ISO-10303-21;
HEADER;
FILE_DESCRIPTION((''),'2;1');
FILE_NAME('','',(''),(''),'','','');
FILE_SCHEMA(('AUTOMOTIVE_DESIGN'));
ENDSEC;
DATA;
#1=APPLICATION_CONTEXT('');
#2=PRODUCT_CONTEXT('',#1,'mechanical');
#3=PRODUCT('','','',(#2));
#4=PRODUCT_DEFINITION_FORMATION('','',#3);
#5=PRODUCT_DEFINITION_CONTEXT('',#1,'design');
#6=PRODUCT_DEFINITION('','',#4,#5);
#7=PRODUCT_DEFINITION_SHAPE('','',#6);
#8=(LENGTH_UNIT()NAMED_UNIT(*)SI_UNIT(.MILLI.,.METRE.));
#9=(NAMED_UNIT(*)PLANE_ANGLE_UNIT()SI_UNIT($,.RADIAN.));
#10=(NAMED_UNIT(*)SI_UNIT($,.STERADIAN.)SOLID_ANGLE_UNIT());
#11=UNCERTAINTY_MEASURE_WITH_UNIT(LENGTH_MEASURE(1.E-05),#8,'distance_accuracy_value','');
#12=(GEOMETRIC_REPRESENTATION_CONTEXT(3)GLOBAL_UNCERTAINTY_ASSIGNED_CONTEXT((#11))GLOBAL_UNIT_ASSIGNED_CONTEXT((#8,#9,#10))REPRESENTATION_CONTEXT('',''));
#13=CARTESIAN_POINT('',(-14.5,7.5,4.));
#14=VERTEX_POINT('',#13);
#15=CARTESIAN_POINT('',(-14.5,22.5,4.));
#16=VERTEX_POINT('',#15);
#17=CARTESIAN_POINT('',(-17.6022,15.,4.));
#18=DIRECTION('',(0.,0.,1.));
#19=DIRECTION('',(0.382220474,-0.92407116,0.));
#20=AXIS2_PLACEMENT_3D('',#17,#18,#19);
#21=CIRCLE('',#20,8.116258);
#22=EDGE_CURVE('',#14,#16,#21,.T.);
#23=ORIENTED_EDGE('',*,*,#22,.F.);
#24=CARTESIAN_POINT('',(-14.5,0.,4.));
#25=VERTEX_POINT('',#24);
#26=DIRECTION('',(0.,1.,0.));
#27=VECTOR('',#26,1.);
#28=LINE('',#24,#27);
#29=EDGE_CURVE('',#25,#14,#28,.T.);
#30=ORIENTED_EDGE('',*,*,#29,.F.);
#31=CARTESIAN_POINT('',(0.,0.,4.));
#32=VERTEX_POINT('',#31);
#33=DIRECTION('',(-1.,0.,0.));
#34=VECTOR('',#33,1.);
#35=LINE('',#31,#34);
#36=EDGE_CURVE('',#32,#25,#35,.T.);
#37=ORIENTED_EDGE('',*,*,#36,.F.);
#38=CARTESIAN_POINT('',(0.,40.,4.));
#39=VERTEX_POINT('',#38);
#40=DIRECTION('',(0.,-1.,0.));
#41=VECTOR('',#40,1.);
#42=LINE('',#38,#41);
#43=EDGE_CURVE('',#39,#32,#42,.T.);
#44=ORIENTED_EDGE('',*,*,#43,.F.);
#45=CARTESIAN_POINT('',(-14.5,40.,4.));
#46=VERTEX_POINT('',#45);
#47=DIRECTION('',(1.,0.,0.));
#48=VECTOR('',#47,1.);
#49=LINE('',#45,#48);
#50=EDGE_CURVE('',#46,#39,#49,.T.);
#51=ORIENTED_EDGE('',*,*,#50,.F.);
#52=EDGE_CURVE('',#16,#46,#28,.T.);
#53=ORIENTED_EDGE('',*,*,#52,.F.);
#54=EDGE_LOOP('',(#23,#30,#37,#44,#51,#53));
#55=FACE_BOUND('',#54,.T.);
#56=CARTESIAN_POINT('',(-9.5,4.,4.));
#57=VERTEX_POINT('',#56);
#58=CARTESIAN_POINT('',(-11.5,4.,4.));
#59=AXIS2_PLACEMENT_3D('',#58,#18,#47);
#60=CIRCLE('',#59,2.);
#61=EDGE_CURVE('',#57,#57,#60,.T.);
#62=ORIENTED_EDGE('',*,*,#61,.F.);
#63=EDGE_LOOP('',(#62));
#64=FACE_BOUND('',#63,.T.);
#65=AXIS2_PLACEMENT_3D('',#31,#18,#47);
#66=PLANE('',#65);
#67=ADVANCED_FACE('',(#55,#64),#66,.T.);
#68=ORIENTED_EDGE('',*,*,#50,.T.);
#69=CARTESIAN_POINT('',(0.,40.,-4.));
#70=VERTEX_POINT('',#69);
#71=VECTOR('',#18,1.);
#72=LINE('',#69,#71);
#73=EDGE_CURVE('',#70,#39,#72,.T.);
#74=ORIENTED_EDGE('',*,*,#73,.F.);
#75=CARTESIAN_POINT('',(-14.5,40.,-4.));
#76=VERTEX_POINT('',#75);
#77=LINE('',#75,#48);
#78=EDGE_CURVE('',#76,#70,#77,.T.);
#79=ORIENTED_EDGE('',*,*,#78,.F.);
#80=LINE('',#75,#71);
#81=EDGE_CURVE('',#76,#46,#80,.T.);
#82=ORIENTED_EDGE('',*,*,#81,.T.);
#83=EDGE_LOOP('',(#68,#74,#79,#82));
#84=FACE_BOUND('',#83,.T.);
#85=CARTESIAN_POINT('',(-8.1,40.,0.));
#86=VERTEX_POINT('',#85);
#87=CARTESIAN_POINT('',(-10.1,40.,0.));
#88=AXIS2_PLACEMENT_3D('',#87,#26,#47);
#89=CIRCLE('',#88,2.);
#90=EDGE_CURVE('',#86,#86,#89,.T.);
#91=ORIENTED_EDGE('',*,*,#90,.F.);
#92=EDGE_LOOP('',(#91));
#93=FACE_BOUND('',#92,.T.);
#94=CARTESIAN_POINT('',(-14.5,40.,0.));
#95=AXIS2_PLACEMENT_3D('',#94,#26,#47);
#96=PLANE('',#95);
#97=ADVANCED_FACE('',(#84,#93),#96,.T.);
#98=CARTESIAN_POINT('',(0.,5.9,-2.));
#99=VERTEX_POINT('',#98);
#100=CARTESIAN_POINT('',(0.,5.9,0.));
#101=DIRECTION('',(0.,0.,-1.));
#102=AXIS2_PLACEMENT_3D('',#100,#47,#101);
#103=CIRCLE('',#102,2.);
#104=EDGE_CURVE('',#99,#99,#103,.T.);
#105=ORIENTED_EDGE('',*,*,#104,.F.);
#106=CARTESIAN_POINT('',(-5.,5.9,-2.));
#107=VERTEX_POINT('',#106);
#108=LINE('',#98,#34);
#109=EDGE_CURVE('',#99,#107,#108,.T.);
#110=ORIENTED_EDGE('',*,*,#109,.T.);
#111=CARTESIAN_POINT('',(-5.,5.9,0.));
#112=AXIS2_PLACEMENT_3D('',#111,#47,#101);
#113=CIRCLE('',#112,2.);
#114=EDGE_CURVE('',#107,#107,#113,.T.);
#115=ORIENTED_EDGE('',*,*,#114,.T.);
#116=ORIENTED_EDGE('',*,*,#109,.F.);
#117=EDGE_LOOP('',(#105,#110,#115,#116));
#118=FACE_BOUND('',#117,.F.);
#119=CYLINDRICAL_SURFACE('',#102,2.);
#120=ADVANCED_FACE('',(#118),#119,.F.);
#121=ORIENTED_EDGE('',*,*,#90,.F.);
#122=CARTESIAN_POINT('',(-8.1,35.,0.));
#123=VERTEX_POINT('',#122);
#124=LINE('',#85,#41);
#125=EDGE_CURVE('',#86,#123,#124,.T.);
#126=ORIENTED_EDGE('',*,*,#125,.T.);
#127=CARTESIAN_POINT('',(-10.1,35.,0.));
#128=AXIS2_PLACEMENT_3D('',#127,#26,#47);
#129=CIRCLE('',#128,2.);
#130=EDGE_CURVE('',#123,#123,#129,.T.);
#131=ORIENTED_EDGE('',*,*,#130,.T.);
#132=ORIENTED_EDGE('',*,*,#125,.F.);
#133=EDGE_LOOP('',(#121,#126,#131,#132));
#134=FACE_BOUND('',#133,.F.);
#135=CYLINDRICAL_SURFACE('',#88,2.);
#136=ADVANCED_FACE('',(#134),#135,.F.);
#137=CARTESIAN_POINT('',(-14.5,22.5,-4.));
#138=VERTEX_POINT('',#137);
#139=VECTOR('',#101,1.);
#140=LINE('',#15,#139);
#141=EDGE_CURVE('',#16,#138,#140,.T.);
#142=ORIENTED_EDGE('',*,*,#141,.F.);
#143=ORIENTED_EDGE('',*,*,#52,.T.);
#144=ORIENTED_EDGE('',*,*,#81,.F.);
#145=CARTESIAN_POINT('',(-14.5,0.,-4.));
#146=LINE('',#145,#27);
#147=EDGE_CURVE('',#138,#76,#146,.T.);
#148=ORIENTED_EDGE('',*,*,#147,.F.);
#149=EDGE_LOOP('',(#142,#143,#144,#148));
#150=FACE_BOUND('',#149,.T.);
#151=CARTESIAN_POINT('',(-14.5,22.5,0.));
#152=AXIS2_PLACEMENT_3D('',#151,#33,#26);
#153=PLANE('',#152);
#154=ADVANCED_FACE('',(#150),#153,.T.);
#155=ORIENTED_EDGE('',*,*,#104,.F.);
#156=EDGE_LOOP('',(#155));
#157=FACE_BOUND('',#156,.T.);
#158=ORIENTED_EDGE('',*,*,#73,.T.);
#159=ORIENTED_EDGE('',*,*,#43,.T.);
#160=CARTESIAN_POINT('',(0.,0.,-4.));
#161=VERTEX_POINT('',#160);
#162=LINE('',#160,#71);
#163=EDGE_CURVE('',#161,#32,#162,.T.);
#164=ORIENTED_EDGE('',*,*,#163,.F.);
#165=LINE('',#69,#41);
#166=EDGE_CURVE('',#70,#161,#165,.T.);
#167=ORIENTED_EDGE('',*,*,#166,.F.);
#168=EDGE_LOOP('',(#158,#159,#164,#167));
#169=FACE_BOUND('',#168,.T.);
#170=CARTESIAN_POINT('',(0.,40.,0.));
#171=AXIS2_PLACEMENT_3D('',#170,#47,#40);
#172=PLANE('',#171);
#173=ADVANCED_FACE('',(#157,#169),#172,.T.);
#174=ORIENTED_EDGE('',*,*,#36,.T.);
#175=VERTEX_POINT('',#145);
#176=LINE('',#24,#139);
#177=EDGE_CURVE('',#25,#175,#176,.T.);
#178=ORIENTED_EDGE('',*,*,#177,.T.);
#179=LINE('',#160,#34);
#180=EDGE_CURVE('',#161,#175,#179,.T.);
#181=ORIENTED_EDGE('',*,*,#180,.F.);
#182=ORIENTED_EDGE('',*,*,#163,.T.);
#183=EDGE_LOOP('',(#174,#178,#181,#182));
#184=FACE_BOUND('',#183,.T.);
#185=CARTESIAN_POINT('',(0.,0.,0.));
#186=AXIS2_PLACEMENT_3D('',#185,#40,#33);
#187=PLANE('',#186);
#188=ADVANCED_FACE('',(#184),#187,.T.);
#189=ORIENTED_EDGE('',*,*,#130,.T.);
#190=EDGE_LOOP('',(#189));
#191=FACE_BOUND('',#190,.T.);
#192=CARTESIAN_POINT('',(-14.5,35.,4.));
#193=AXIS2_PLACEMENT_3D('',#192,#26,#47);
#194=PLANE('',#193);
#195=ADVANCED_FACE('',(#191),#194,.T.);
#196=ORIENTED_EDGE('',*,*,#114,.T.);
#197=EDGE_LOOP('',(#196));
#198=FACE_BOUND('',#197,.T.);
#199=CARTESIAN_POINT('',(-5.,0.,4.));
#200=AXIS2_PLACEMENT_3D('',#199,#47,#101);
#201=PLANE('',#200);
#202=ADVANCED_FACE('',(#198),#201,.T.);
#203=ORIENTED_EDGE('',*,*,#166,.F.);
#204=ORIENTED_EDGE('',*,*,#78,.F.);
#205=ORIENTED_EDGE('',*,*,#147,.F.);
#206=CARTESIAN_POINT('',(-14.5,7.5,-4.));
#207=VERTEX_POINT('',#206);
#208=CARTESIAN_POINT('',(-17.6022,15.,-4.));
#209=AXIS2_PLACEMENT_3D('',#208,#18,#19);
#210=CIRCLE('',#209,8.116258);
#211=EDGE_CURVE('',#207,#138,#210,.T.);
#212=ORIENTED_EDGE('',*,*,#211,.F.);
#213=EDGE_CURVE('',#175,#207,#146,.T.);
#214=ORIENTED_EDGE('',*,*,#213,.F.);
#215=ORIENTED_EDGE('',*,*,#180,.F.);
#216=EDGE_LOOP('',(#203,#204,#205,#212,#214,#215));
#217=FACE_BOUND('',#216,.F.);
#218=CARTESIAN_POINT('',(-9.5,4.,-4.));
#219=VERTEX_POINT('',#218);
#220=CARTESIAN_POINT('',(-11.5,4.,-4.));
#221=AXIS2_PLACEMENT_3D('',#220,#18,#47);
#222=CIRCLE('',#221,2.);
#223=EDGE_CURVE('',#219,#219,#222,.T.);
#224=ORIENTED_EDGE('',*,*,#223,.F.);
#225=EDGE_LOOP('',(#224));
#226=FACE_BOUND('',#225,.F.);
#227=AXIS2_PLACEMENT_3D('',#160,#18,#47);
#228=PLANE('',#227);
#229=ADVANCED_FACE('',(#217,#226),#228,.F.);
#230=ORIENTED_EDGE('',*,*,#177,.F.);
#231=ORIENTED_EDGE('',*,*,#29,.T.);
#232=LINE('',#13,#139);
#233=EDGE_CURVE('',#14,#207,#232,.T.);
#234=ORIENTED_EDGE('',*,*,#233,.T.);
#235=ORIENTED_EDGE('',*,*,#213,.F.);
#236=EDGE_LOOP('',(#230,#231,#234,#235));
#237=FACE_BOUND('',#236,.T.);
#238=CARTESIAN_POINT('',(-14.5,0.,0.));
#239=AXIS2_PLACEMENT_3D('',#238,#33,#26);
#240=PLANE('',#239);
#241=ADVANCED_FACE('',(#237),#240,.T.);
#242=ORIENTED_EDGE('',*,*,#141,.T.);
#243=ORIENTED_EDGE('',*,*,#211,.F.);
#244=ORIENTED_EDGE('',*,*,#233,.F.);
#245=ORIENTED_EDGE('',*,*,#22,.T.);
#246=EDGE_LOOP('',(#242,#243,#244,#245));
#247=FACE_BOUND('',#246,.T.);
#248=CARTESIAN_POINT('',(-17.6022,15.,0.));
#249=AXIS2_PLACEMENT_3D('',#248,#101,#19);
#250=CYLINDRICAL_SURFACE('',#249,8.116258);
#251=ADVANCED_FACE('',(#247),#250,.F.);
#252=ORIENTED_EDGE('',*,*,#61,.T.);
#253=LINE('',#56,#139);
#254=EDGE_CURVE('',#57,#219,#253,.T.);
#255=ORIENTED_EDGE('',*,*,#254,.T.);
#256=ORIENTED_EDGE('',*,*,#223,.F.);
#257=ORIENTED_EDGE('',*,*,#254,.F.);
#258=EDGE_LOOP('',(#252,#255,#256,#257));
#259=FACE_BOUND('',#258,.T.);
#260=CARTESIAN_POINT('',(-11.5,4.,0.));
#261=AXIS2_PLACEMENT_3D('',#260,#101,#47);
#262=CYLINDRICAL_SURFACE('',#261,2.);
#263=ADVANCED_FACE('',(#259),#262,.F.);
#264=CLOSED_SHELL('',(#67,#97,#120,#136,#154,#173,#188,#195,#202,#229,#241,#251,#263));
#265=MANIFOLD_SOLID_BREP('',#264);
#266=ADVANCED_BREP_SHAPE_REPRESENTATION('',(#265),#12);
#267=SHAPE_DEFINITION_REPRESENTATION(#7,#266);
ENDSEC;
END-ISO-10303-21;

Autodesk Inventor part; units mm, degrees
ref_plane "YZ Plane" through (0, 0, 0) normal (1, 0, 0) x (0, 1, 0)
ref_plane "XZ Plane" through (0, 0, 0) normal (0, 1, 0) x (-1, 0, 0)
ref_plane "XY Plane" through (0, 0, 0) normal (0, 0, 1) x (1, 0, 0)
sketch "Эскиз1" plane through (0, 0, 0) normal (0, 0, 1) x (1, 0, 0)
  line L0 (0, 0) -> (-14.5, 0)
  line L1 (-14.5, 0) -> (-14.5, 40)
  line L2 (-14.5, 40) -> (0, 40)
  line L3 (0, 40) -> (0, 0)
  circle A0 centre (-11.5, 4) radius 2
  arc A1 (-14.5, 7.5) -> (-14.5, 22.5) centre (-17.6022, 15) ccw
  dimension "d0" = 14.5
  dimension "d1" = 40
  dimension "d2" = 4
  dimension "d4" = 4
  dimension "d5" = 11.5
  dimension "d6" = 15
  dimension "d7" = 15
extrude "Выдавливание1" add sketch "Эскиз1" along normal mid plane 8 contours L0 L1 A1 L2 L3
sketch "Эскиз2" plane through (0, 0, 4) normal (1, 0, 0) x (0, 0, -1)
  circle A0 centre (4, 5.9) radius 2
  line L0 (4, 0) -> (4, 4.8588) construction
  line L1 (8, 0) -> (0, 0) projected
  dimension "d10" = 4
  dimension "d16" = 5.9
extrude "Выдавливание2" cut sketch "Эскиз2" against normal blind 5
sketch "Эскиз3" plane through (-14.5, 40, 4) normal (0, 1, 0) x (1, 0, 0)
  circle A0 centre (4.4, 4) radius 2
  line L0 (14.5, 4) -> (4.4, 4) construction
  line L1 (14.5, 8) -> (14.5, 0) projected
  dimension "d13" = 4
  dimension "d17" = 10.1
extrude "Выдавливание3" cut sketch "Эскиз3" against normal blind 5
properties part number "держатель шкива"
